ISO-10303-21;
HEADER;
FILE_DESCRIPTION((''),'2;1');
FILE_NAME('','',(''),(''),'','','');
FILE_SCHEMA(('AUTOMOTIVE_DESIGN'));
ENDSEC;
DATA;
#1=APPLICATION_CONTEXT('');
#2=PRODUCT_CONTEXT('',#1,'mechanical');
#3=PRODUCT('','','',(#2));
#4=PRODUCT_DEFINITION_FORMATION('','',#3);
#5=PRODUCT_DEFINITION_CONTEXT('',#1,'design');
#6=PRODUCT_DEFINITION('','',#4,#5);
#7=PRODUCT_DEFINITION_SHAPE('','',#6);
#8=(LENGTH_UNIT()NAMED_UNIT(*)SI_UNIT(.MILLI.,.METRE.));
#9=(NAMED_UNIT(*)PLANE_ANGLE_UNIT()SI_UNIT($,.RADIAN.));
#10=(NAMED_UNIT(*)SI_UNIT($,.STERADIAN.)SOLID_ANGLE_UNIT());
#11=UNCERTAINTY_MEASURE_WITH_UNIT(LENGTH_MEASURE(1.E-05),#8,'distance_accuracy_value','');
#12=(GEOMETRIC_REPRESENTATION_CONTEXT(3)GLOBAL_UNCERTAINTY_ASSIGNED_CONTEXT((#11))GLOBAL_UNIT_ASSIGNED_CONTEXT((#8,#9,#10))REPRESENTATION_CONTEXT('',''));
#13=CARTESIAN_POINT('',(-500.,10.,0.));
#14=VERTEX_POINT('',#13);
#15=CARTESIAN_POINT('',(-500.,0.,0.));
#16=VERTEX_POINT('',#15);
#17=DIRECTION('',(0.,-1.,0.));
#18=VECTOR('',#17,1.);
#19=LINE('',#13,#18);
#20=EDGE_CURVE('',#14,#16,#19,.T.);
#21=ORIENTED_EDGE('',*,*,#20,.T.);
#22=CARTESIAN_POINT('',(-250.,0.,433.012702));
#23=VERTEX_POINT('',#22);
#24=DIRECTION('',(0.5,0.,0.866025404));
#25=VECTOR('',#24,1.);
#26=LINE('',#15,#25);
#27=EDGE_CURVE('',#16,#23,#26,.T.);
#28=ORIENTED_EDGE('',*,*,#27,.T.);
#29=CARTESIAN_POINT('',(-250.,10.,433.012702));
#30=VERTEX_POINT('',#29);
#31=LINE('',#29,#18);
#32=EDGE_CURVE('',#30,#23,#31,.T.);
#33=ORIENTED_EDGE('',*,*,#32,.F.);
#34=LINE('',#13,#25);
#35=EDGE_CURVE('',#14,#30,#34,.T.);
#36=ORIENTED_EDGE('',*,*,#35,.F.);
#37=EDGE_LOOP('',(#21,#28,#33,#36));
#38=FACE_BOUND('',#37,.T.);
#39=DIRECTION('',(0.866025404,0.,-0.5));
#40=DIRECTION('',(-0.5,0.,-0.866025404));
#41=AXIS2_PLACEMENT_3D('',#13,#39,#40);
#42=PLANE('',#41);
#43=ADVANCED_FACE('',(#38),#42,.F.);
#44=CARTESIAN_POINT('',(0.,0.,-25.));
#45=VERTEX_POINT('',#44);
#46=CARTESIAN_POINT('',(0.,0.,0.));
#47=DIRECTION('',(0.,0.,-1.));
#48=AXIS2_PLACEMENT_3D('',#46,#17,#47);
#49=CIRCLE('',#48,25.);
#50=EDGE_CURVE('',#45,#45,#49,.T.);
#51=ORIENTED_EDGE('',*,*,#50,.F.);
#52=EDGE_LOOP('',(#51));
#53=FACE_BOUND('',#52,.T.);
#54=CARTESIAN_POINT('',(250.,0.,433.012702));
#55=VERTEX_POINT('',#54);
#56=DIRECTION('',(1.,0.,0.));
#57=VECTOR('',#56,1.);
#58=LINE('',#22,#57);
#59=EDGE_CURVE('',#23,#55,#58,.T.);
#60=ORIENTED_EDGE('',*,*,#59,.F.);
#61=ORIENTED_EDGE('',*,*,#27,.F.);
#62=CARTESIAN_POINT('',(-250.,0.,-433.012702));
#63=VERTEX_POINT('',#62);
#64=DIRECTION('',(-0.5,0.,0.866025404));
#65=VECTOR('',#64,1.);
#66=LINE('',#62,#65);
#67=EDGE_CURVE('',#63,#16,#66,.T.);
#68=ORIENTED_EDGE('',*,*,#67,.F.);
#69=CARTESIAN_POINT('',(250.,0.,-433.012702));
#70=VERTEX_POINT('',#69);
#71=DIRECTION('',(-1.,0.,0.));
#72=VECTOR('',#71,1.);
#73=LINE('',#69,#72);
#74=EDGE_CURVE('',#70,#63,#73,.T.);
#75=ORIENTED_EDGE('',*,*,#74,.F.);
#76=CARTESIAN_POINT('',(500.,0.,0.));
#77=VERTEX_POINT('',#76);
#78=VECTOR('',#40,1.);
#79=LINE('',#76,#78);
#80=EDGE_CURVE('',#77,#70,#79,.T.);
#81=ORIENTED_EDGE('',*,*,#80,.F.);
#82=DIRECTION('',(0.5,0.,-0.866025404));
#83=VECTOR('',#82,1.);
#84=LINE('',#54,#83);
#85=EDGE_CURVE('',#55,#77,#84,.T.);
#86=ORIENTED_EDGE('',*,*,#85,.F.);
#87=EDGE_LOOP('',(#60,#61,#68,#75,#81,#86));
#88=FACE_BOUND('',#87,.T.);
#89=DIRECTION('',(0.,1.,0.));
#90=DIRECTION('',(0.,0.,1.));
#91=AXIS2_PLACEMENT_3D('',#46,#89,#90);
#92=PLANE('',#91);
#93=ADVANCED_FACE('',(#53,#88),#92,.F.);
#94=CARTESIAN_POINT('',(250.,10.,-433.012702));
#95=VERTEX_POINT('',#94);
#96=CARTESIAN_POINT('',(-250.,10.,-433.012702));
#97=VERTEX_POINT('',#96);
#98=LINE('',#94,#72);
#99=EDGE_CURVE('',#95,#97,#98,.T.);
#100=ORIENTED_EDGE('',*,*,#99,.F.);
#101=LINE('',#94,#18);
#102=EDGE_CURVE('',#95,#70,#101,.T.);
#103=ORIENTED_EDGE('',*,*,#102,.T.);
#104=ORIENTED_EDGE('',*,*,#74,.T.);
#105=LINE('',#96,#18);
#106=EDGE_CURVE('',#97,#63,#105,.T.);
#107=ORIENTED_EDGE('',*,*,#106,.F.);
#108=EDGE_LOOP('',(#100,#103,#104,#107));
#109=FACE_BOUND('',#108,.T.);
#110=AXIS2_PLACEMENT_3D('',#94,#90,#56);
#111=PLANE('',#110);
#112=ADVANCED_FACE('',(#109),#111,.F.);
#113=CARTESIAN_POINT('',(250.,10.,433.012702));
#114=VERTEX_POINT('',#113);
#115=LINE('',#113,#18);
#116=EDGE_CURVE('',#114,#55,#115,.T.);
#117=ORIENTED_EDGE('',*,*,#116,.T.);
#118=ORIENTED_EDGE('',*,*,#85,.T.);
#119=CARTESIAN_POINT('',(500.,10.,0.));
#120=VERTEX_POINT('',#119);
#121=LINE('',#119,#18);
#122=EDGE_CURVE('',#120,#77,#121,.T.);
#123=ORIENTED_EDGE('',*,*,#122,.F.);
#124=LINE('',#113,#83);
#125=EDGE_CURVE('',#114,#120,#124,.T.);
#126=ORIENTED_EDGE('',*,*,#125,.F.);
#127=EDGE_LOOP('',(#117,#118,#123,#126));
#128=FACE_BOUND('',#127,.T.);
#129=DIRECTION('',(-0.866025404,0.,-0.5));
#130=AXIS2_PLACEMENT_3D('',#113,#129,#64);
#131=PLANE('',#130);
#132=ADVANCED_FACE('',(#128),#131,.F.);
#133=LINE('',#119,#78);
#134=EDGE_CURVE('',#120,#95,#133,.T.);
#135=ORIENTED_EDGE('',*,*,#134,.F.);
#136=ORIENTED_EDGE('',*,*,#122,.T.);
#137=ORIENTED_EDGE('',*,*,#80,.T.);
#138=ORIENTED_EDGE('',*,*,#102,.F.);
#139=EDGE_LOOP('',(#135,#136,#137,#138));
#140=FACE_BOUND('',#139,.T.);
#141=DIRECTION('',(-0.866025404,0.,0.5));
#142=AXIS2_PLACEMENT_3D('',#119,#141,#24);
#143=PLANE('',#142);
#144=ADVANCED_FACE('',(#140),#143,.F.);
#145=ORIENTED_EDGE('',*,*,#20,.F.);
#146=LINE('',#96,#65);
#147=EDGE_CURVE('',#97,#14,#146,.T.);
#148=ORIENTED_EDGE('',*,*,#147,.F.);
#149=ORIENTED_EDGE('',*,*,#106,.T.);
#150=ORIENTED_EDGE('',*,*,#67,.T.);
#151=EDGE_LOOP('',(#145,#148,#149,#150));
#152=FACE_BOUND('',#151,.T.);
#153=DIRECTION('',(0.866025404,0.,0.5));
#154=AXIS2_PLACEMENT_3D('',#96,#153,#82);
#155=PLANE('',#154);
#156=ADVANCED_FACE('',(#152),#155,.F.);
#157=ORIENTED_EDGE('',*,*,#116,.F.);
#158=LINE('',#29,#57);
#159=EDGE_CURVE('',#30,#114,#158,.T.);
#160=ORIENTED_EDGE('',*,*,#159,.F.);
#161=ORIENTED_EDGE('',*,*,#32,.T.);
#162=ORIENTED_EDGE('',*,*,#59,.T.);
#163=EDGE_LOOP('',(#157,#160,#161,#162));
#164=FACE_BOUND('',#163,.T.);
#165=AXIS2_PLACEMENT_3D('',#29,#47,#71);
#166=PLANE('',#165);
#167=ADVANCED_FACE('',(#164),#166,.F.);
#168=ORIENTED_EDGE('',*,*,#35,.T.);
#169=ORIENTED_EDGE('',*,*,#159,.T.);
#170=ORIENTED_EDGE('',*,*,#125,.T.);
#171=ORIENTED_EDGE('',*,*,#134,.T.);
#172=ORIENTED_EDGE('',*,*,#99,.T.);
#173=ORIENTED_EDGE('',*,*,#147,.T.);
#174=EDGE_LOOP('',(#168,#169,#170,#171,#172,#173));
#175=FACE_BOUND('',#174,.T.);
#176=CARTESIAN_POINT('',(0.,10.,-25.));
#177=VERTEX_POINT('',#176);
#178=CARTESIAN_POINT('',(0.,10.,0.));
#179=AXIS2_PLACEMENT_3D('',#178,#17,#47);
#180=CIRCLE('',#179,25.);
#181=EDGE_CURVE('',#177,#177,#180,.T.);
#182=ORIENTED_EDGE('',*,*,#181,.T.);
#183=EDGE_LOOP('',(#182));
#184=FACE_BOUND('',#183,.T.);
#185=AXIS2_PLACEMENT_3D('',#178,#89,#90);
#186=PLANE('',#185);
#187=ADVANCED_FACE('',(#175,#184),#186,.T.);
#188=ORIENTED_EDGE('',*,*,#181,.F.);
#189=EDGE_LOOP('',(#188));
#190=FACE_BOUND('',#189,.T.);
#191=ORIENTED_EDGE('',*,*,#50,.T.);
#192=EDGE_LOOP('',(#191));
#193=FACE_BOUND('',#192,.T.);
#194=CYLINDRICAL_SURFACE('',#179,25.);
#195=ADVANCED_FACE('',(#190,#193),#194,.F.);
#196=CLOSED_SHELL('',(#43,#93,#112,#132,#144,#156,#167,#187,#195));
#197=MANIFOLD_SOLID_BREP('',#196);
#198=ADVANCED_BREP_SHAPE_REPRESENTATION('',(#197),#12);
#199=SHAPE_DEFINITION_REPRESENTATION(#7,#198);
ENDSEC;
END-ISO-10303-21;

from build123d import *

# Parameters (mm, degrees)
BOSS_EXTRUDE1_DEPTH = 10
SKETCH4_R           = 25
CUT_EXTRUDE2_DEPTH  = 662.513416342


with BuildPart() as part:
    # Sketch1 → Boss-Extrude1 (new body)
    with BuildSketch(Plane(origin=(0, 0, 0), x_dir=(1, 0, 0), z_dir=(0, 1, 0))):
        Polygon((500, 0), (250, 433.012701892), (-250, 433.012701892), (-500, 0), (-250, -433.012701892), (250, -433.012701892), align=None)
    extrude(amount=BOSS_EXTRUDE1_DEPTH)

    # Sketch4 → Cut-Extrude2 (cut, through all)
    with BuildSketch(Plane.XZ):
        with Locations(Location((0, 0, 0), (0, 0, 270))):
            Circle(SKETCH4_R)
    extrude(amount=-CUT_EXTRUDE2_DEPTH, mode=Mode.SUBTRACT)


solid = part.part
